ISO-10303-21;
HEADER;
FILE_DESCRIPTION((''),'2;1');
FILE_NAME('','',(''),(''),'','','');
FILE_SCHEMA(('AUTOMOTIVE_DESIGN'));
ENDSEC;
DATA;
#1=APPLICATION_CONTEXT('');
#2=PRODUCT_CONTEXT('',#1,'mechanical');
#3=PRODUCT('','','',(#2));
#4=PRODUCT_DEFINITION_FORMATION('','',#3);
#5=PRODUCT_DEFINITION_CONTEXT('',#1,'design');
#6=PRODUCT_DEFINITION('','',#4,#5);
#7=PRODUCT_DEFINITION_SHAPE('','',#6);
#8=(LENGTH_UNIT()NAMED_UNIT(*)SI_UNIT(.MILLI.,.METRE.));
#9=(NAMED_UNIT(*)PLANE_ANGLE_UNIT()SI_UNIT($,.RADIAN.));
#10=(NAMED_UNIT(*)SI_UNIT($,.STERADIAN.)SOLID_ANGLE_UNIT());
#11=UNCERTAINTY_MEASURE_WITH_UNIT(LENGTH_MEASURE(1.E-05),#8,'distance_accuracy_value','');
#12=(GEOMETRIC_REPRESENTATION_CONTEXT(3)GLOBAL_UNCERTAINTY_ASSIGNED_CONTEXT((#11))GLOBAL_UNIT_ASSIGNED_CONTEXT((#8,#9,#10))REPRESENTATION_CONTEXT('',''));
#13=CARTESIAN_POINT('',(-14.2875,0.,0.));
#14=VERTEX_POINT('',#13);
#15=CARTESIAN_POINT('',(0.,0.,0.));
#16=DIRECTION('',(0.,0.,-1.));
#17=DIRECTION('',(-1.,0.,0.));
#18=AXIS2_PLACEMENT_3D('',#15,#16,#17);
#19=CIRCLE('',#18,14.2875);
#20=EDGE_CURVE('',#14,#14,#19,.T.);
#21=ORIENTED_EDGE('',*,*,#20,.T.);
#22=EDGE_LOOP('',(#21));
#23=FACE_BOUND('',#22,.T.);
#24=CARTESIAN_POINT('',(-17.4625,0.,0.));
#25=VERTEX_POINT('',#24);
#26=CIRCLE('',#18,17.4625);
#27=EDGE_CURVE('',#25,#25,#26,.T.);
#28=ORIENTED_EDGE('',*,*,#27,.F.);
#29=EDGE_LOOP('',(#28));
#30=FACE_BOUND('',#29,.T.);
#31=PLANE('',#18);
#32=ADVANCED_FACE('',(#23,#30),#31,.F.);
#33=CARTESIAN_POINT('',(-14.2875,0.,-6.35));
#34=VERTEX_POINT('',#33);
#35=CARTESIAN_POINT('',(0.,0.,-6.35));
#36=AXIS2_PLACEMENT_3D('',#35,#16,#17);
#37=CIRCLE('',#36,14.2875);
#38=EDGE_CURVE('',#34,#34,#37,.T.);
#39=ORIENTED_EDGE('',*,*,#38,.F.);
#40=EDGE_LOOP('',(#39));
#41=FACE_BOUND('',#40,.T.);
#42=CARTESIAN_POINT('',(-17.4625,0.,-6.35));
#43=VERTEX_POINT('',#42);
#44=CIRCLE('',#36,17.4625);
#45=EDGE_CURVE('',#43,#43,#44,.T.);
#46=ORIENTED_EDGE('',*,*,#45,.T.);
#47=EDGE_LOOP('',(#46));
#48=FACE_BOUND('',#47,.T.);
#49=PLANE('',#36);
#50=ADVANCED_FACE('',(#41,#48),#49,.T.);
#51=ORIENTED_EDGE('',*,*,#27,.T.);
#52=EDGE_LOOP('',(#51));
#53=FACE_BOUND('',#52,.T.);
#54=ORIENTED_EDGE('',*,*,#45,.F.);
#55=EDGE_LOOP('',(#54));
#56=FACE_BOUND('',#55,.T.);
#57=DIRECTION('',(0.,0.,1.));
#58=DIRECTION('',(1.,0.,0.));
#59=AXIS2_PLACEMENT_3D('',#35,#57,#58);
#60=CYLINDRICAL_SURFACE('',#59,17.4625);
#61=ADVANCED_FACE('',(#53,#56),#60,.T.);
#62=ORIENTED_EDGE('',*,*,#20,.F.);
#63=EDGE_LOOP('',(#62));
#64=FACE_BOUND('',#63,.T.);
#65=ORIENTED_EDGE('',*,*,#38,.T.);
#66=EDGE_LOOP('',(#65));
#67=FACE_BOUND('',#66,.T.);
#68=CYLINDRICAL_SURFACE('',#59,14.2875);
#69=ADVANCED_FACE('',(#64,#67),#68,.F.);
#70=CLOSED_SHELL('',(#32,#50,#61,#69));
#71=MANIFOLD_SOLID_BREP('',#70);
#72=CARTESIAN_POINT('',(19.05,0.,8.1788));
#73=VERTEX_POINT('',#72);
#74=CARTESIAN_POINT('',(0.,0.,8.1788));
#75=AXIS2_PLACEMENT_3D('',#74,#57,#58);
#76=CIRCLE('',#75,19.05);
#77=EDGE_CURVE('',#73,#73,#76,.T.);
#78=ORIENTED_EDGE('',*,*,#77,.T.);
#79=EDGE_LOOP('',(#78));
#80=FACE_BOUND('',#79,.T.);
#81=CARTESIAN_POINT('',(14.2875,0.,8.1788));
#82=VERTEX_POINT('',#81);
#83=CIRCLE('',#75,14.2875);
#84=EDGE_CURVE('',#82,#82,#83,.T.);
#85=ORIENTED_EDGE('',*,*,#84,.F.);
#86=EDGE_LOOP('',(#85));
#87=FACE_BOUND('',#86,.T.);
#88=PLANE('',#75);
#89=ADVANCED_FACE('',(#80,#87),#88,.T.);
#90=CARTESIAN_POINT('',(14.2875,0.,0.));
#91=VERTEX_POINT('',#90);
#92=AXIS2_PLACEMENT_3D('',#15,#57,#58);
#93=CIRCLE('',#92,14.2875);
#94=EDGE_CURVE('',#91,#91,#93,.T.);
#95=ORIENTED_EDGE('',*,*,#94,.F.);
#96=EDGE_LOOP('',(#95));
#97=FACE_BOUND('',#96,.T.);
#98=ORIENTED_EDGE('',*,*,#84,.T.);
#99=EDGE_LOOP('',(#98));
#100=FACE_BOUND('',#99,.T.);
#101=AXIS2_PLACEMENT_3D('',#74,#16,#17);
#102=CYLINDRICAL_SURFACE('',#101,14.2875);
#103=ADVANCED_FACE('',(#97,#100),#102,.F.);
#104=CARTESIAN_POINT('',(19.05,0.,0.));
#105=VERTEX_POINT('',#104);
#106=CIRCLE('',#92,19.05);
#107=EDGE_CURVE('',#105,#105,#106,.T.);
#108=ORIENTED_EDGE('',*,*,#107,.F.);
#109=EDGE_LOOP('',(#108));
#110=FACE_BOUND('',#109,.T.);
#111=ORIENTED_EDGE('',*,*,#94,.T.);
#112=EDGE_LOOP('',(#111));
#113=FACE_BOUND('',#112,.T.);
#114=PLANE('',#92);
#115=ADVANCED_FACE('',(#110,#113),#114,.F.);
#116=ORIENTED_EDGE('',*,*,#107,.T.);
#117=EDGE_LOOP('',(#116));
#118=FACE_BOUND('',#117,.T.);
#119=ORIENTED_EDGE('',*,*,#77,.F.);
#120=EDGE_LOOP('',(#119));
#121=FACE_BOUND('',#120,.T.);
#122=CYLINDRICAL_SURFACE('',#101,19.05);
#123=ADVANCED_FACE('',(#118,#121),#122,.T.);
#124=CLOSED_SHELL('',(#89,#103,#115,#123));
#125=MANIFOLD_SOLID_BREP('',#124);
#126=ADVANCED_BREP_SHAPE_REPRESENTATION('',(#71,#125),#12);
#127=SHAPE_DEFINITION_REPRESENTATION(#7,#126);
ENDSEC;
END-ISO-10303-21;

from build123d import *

# Parameters (mm, degrees)
SKETCH1_R           = 19.05
SKETCH1_R_2         = 14.2875
EXTRUDE_THIN1_DEPTH = 8.1788
SKETCH3_R           = 17.4625
SKETCH3_R_2         = 14.2875
BOSS_EXTRUDE1_DEPTH = 6.35


with BuildPart() as part:
    # Sketch1 → Extrude-Thin1 (new body)
    with BuildSketch(Plane.XY):
        Circle(SKETCH1_R)
        Circle(SKETCH1_R_2, mode=Mode.SUBTRACT)
    extrude(amount=EXTRUDE_THIN1_DEPTH)


with BuildPart() as body_2:
    # Sketch3 → Boss-Extrude1 (new body)
    with BuildSketch(Plane(origin=(0, 0, 0), x_dir=(-1, 0, 0), z_dir=(0, 0, -1))):
        Circle(SKETCH3_R)
        Circle(SKETCH3_R_2, mode=Mode.SUBTRACT)
    extrude(amount=BOSS_EXTRUDE1_DEPTH)


solid = Compound([part.part, body_2.part])
